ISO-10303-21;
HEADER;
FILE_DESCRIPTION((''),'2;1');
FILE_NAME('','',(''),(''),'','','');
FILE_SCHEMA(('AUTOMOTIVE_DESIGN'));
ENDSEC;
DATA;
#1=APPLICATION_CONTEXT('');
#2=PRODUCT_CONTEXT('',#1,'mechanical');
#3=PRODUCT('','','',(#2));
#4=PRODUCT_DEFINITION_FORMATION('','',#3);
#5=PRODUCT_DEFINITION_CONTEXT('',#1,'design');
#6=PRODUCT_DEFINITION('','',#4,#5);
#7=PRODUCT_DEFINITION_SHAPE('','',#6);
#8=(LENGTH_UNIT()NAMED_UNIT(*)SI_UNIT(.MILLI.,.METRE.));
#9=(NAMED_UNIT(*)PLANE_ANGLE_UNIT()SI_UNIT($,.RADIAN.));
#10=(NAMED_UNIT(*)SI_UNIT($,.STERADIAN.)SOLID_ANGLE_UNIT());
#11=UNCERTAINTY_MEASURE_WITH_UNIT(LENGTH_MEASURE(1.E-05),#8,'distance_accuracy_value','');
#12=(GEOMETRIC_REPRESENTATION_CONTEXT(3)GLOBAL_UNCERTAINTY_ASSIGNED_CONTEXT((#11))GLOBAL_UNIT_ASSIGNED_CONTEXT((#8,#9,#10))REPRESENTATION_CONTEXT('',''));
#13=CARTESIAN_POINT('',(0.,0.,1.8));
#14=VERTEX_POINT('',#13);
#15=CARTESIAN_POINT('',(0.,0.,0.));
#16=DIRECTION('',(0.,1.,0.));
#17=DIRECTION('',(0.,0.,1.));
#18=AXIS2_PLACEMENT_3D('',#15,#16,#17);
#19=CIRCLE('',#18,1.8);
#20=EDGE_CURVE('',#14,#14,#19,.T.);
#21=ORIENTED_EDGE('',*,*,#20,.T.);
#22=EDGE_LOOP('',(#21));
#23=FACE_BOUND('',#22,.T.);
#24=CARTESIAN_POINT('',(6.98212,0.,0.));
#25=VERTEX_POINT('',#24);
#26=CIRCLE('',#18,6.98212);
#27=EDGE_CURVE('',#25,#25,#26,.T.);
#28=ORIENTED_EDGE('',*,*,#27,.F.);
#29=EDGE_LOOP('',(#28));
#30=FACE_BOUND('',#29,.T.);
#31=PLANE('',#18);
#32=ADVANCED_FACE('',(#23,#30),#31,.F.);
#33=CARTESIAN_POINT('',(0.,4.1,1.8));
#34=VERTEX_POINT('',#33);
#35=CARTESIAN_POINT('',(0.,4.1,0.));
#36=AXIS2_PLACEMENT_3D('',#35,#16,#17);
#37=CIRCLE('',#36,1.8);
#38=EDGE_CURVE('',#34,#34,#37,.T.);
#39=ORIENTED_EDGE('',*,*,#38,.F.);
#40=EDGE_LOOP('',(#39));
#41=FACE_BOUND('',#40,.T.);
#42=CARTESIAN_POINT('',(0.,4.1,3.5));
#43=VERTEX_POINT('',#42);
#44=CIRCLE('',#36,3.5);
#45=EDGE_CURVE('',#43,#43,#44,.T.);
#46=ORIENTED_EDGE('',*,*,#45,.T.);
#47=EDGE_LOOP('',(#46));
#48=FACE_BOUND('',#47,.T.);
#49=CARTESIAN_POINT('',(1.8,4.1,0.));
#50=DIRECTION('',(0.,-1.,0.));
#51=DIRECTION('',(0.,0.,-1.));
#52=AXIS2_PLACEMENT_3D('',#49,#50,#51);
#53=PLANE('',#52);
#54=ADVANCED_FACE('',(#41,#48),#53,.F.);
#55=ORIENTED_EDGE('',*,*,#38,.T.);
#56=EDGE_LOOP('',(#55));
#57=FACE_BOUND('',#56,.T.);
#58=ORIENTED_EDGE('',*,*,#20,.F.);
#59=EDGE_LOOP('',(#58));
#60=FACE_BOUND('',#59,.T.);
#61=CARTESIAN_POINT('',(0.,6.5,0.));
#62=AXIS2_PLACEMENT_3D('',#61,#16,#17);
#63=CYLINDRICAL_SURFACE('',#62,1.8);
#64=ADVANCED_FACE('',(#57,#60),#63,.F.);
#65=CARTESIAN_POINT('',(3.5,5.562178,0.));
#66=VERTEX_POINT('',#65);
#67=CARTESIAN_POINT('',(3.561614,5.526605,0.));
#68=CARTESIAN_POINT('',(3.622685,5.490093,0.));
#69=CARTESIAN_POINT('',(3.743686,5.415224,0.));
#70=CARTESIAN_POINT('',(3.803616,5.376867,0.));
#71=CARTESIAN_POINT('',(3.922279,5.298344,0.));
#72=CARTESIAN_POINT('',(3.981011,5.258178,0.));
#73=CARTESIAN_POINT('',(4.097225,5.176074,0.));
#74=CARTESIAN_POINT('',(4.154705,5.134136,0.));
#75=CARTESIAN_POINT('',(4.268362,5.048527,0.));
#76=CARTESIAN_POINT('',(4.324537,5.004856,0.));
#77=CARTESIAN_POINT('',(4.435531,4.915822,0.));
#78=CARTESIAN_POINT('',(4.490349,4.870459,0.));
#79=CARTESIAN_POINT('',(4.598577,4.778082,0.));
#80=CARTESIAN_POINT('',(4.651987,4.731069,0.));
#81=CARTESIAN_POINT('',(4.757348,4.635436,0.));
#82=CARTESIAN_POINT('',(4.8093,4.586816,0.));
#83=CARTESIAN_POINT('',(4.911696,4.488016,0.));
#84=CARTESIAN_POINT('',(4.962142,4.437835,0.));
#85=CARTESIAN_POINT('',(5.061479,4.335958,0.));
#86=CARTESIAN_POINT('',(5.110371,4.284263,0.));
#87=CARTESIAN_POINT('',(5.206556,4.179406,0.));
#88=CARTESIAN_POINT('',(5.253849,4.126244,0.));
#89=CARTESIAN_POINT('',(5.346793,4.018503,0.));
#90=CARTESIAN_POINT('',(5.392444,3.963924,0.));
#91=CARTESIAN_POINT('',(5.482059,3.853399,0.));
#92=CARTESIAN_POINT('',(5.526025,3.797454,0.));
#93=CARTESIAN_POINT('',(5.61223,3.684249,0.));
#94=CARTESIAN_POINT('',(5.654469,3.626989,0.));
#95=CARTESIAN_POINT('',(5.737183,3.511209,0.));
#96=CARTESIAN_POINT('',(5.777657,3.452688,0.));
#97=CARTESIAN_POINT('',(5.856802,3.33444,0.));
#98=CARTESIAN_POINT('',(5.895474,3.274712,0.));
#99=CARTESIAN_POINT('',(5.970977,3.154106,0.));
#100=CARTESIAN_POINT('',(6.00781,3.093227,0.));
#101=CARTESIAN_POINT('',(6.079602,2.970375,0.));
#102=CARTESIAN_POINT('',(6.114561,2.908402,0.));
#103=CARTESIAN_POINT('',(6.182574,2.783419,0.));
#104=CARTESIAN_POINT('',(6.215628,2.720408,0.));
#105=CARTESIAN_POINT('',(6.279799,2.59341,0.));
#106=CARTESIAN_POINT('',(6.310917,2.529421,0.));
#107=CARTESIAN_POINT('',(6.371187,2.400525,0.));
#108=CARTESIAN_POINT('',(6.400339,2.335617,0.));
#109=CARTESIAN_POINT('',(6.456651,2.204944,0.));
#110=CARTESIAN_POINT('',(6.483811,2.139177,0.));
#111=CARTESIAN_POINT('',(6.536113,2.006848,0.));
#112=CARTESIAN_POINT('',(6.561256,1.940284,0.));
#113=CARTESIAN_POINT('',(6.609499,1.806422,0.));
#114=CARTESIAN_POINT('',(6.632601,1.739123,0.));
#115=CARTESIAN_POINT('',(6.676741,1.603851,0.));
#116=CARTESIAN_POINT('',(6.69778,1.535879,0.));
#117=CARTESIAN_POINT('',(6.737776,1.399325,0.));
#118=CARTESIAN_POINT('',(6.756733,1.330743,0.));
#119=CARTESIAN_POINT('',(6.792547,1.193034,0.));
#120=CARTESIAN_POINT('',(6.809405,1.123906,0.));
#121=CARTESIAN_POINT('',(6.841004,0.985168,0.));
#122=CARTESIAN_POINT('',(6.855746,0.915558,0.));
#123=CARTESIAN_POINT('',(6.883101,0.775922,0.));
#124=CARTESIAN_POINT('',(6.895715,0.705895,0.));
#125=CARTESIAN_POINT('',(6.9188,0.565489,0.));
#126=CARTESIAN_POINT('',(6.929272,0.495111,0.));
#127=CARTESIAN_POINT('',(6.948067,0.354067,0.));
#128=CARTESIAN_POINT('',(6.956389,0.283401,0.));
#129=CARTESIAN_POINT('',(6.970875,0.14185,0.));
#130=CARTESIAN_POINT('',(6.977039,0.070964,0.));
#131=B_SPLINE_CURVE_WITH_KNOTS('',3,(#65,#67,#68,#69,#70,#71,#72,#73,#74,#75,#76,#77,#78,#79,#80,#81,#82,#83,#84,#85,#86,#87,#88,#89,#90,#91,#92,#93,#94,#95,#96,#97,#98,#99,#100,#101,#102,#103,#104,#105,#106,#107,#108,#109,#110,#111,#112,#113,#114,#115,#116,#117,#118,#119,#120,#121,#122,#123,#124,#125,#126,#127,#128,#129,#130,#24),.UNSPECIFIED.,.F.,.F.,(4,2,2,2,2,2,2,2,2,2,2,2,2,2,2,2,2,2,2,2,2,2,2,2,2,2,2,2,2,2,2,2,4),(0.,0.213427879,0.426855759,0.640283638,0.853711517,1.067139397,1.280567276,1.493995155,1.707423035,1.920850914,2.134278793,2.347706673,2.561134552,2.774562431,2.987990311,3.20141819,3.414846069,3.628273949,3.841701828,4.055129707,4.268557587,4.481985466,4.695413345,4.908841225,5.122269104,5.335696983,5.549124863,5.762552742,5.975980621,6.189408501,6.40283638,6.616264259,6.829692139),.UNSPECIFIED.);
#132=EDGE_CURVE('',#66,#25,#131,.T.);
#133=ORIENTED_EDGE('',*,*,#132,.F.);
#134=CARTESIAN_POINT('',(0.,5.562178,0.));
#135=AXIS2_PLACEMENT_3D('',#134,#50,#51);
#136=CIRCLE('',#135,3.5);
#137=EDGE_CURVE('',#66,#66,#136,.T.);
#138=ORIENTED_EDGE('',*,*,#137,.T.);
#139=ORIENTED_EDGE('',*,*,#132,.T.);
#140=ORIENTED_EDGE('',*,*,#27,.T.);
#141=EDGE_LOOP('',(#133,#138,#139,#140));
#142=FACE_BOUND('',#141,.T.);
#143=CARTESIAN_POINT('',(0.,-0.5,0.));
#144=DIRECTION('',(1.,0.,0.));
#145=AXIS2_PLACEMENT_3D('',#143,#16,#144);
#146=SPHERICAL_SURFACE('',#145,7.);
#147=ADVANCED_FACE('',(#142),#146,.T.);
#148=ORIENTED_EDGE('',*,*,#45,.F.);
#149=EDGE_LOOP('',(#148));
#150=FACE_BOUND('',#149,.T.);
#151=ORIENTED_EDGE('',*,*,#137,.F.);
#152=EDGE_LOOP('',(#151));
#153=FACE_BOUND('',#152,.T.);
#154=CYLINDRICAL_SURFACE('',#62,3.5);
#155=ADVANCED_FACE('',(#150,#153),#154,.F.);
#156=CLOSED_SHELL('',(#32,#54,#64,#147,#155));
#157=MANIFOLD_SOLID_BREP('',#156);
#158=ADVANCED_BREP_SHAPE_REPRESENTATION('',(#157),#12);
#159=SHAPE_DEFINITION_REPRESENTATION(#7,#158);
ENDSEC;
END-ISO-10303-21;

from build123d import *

# Parameters (mm, degrees)
CBORE_FOR_M3_PAN_HEAD_SCREW1_D           = 3.6
CBORE_FOR_M3_PAN_HEAD_SCREW1_CBORE_D     = 7
CBORE_FOR_M3_PAN_HEAD_SCREW1_CBORE_DEPTH = 2.4


with BuildPart() as part:
    # Sketch1 → Revolve1 (revolve)
    with BuildSketch(Plane.XY):
        with BuildLine():
            Line((0, 0), (0, 6.5))
            ThreePointArc((0, 6.5), (4.769696007, 4.623475383), (6.982120022, 0))
            Line((6.982120022, 0), (0, 0))
        make_face()
    revolve(axis=Axis((0, 58.277719589, 0), (0, -1, 0)))

    # CBORE for M3 Pan Head Screw1 (through all)
    with Locations(Plane(origin=(0, 6.5, 0), x_dir=(1, 0, 0), z_dir=(0, 1, 0))):
        with Locations((0, 0)):
            CounterBoreHole(CBORE_FOR_M3_PAN_HEAD_SCREW1_D / 2, CBORE_FOR_M3_PAN_HEAD_SCREW1_CBORE_D / 2, CBORE_FOR_M3_PAN_HEAD_SCREW1_CBORE_DEPTH)


solid = part.part
